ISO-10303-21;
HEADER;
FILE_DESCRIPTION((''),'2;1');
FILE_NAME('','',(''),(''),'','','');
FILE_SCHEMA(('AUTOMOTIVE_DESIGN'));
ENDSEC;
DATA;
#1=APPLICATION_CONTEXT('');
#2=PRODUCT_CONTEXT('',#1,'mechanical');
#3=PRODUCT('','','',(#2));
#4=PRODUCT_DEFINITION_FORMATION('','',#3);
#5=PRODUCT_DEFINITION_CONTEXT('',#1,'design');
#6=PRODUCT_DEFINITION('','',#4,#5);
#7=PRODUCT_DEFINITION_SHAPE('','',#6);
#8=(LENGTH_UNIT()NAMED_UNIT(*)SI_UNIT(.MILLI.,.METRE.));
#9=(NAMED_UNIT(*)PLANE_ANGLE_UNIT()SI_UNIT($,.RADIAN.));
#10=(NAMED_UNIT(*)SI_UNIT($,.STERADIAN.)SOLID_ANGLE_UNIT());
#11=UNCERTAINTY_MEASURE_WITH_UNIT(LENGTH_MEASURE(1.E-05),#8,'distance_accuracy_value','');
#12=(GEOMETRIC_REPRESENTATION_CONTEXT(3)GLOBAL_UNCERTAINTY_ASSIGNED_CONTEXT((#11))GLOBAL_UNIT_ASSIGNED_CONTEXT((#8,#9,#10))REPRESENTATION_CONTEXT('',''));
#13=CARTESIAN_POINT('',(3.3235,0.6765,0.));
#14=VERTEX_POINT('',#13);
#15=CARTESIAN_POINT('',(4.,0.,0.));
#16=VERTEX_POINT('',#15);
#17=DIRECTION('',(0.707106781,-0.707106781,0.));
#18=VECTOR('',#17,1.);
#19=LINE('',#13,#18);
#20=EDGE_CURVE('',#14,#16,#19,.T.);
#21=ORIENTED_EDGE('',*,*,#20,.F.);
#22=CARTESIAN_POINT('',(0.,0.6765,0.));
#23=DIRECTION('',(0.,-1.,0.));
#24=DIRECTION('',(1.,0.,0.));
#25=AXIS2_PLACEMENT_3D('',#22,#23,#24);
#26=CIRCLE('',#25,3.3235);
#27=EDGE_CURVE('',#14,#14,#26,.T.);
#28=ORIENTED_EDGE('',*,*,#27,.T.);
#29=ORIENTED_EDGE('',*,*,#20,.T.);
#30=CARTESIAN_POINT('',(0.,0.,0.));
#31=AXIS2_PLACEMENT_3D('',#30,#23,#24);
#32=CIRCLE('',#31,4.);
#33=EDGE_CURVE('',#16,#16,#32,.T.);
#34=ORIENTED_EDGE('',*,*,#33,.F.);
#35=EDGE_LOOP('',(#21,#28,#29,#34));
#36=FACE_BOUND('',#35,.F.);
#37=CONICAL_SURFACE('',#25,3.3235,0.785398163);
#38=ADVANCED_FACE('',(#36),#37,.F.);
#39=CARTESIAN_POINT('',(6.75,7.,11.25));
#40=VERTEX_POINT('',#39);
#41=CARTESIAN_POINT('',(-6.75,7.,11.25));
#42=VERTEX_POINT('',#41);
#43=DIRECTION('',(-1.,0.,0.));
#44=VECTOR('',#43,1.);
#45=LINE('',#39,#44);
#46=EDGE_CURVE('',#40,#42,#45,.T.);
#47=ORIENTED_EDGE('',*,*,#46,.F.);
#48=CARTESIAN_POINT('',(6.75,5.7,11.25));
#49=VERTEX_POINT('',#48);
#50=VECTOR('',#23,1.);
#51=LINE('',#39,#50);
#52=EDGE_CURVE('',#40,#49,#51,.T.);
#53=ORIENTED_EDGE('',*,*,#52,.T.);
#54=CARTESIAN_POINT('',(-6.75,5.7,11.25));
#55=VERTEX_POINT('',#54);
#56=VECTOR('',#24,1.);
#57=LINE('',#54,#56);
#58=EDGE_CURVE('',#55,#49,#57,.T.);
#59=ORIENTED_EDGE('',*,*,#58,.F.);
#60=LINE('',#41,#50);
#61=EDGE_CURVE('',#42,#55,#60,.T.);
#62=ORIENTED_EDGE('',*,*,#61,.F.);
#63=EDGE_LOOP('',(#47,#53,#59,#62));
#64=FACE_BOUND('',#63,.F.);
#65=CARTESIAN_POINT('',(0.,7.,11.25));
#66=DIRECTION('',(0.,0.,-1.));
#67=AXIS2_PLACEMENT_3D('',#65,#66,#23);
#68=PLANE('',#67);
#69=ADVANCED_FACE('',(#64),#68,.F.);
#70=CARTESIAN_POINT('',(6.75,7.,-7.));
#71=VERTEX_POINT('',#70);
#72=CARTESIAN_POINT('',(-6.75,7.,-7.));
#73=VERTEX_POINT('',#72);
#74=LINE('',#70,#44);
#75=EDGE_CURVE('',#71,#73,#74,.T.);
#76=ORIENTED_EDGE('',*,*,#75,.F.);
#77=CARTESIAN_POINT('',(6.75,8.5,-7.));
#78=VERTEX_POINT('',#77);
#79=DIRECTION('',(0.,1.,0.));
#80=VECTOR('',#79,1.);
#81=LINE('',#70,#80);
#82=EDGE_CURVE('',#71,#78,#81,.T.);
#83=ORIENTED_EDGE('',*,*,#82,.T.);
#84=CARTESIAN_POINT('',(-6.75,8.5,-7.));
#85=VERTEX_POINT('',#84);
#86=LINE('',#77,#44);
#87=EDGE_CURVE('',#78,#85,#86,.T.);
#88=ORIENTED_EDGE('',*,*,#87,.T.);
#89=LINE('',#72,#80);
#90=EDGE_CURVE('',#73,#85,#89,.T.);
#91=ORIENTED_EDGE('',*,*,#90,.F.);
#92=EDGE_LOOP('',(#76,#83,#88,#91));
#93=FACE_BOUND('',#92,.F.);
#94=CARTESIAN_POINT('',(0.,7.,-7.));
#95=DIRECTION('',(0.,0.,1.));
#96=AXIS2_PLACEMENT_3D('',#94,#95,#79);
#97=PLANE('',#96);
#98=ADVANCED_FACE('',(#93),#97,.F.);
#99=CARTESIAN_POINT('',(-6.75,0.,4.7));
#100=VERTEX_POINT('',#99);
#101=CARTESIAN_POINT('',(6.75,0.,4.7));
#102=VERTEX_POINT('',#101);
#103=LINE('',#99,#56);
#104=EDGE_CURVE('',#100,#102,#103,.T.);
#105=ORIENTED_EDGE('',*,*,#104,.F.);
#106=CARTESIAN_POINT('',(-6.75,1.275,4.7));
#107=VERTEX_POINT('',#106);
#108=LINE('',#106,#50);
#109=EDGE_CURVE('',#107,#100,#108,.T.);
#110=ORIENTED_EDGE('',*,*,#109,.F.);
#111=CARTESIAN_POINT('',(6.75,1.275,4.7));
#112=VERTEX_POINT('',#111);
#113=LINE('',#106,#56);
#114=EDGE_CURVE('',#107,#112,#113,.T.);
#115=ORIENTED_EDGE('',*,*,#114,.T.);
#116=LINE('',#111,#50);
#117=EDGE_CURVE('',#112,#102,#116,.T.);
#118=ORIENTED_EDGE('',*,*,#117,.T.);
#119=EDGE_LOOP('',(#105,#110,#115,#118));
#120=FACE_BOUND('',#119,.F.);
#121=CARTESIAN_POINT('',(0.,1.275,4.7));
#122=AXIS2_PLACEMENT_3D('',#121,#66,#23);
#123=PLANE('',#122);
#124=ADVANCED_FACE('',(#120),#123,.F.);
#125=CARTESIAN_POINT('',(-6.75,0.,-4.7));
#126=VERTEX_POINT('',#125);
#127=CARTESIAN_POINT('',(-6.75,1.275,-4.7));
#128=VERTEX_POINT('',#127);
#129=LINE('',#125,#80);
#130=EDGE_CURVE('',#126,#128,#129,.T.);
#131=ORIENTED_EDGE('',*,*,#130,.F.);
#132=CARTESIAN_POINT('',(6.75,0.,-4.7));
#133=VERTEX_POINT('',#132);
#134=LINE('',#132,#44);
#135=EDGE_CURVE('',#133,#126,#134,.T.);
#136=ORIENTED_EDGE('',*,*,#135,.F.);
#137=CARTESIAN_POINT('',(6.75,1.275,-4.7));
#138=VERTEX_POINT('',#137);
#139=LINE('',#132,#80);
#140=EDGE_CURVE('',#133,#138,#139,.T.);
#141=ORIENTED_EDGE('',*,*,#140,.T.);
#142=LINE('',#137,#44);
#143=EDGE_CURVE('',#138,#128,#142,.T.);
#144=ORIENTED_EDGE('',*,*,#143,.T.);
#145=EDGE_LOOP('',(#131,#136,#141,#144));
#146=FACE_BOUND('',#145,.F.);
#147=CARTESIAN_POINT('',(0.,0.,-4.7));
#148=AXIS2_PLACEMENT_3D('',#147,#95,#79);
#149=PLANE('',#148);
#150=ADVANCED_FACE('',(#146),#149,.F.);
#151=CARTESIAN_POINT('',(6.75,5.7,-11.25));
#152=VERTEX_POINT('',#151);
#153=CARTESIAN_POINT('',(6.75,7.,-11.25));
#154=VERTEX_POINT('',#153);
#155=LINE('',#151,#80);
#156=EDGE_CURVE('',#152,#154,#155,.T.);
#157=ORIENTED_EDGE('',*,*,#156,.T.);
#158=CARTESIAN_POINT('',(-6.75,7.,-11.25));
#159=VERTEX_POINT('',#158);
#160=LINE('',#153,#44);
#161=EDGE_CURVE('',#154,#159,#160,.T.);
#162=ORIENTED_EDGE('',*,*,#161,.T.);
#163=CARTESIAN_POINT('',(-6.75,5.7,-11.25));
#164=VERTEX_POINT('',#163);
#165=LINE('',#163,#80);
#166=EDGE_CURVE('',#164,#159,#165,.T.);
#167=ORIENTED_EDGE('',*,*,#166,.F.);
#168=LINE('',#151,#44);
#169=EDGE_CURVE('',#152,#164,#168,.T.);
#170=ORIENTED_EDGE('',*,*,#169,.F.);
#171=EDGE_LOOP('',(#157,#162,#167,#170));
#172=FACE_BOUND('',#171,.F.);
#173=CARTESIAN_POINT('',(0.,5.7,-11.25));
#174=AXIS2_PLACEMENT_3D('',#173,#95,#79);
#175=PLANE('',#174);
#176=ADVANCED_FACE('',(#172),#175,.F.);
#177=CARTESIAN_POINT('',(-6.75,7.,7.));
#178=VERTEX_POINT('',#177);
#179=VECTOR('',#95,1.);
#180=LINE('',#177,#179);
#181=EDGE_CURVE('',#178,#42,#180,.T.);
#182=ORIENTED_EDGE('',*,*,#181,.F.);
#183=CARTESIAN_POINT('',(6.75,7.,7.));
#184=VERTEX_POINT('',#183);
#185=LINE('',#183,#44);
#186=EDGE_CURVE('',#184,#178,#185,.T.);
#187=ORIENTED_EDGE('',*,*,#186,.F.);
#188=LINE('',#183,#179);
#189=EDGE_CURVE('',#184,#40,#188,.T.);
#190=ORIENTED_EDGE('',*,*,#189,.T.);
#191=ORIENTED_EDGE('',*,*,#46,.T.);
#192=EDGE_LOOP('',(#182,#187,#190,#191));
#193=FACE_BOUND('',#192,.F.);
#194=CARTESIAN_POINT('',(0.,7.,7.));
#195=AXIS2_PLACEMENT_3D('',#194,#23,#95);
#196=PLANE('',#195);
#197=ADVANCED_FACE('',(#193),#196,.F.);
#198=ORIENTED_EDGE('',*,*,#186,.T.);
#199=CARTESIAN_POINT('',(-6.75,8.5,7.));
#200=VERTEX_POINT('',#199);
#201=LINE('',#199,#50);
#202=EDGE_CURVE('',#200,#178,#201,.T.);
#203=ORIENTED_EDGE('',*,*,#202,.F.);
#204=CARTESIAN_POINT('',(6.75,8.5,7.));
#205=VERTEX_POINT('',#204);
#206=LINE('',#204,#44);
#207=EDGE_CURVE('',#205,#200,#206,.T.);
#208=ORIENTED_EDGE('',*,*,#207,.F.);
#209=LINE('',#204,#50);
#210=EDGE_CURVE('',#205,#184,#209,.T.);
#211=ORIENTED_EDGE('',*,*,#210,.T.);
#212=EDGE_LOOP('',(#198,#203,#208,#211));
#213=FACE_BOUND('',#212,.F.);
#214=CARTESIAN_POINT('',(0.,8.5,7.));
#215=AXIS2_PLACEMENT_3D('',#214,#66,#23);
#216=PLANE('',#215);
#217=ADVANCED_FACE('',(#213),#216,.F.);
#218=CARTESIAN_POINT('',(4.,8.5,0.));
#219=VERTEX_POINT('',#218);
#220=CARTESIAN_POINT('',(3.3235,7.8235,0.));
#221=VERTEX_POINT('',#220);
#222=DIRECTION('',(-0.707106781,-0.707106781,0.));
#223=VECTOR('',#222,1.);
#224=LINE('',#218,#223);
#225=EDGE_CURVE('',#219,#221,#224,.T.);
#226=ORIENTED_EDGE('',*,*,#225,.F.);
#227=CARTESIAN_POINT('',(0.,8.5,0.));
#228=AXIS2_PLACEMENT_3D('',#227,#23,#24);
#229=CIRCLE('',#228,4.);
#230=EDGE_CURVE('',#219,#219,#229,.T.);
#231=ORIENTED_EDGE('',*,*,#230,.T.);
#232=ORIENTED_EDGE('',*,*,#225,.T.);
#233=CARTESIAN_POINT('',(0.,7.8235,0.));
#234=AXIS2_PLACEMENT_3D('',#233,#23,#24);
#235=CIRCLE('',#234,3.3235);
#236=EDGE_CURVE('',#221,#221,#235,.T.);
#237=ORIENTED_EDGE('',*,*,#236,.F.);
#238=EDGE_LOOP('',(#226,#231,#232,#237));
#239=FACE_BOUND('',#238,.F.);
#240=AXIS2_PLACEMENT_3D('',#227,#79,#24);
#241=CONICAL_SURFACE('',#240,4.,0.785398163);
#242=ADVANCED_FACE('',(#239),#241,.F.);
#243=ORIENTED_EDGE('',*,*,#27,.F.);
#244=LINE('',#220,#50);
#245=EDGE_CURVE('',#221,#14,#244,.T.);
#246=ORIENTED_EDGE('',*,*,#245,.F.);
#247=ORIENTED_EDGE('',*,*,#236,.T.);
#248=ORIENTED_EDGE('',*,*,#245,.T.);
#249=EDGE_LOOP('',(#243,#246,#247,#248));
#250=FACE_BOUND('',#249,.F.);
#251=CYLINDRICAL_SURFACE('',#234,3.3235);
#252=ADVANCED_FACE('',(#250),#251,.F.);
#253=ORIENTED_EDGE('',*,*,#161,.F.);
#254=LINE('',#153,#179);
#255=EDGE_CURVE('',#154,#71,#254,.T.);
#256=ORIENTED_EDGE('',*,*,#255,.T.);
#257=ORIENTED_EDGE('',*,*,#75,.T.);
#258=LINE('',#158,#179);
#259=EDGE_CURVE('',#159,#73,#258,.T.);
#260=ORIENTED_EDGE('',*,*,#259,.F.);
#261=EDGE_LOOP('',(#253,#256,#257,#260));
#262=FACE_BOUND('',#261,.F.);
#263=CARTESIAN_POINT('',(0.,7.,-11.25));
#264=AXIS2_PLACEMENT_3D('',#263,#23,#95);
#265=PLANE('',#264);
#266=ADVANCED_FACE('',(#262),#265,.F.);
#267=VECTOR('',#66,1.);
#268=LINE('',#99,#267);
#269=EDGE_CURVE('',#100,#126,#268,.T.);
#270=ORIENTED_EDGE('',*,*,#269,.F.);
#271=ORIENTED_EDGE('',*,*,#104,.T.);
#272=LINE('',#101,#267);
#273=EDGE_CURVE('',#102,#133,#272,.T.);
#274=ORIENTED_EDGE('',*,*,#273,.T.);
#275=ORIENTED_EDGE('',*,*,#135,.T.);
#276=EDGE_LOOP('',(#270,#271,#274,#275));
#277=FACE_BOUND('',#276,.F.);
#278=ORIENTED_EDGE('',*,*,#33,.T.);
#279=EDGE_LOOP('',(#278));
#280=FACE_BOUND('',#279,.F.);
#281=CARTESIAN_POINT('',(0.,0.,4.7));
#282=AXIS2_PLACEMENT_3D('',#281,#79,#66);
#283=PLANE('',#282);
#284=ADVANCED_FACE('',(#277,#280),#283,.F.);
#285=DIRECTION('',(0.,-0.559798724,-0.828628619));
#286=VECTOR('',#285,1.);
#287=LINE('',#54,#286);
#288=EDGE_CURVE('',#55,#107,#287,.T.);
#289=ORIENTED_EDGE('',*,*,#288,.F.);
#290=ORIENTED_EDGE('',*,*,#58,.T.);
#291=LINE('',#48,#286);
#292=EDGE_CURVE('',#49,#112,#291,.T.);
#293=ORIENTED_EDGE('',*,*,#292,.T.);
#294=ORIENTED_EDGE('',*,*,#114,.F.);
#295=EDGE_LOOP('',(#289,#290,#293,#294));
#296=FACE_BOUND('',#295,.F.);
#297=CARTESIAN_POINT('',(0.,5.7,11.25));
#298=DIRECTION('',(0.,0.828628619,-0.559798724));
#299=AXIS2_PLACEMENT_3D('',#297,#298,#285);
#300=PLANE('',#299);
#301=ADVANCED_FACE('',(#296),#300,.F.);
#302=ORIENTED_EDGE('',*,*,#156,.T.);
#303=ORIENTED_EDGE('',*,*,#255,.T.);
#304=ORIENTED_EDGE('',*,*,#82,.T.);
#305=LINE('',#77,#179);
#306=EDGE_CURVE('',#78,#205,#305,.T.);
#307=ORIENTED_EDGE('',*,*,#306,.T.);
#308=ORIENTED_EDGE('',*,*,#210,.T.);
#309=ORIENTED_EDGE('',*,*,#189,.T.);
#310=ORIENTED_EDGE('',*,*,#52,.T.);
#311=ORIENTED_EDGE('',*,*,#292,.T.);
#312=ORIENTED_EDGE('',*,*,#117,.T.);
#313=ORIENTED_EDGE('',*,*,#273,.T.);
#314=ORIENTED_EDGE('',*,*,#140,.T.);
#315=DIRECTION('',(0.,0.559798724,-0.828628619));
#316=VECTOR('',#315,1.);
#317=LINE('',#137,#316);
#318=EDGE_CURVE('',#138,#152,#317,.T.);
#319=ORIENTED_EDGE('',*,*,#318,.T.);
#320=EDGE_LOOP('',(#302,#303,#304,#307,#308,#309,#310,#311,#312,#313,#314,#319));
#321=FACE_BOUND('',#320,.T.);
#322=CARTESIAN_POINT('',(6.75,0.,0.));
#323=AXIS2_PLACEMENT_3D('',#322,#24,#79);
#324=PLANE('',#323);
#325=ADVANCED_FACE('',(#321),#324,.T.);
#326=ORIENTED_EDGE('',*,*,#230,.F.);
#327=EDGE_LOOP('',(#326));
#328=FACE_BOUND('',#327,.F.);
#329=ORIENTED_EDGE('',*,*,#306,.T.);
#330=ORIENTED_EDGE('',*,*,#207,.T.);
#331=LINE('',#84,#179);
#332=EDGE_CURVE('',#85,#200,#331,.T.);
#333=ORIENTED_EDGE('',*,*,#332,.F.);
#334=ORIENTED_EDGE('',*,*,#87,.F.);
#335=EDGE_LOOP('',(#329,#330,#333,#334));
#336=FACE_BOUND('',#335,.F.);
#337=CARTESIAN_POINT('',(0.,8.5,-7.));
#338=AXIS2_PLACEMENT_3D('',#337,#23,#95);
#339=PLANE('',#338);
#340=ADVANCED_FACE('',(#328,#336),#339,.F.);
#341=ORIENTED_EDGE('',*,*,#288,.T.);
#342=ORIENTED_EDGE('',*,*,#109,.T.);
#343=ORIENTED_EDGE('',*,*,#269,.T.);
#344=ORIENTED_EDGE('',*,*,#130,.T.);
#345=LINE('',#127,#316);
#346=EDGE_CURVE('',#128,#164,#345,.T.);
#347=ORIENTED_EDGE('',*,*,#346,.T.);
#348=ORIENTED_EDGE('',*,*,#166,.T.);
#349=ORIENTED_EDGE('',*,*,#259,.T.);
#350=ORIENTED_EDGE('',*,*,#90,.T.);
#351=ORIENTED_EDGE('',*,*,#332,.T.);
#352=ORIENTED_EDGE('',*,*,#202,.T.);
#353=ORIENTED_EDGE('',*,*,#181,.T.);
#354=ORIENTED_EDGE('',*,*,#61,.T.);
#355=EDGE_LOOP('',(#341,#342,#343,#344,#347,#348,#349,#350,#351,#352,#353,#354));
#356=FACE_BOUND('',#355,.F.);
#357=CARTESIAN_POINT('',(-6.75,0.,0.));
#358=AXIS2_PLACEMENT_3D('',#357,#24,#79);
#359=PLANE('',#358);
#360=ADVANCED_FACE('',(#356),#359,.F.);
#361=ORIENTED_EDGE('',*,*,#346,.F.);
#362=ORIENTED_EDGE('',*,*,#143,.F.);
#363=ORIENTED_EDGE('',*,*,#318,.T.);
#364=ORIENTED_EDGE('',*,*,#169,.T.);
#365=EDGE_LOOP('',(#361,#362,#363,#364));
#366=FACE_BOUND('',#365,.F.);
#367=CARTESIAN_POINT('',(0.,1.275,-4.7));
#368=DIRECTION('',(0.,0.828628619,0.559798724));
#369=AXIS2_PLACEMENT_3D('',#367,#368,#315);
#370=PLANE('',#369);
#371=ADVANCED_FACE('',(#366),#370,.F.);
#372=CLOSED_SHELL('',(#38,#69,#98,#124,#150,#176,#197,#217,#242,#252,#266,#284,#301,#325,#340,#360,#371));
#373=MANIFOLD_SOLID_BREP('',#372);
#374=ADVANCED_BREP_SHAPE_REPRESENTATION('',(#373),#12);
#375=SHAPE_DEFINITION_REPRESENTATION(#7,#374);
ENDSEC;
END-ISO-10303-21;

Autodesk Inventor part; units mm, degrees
sketch "Skizze_1" plane through (0, 0, 0) normal (1, 0, 0) x (0, 1, 0)
  line L0 (5.7, 11.25) -> (1.275, 4.7)
  line L1 (1.275, 4.7) -> (0, 4.7)
  line L2 (0, 4.7) -> (0, -4.7)
  line L3 (0, -4.7) -> (1.275, -4.7)
  line L4 (1.275, -4.7) -> (5.7, -11.25)
  line L5 (5.7, -11.25) -> (7, -11.25)
  line L6 (7, -11.25) -> (7, -7)
  line L7 (7, -7) -> (8.5, -7)
  line L8 (8.5, -7) -> (8.5, 7)
  line L9 (8.5, 7) -> (7, 7)
  line L10 (7, 7) -> (7, 11.25)
  line L11 (7, 11.25) -> (5.7, 11.25)
extrude "Extrusion1" add sketch "Skizze_1" along normal mid plane 13.5
sketch "Skizze_2" plane through (0, 0, 0) normal (0, 0, 1) x (1, 0, 0)
  line L0 (0, 0) -> (0, 8.5)
  line L1 (0, 8.5) -> (4, 8.5)
  line L2 (4, 8.5) -> (3.3235, 7.8235)
  line L3 (3.3235, 7.8235) -> (3.3235, 0.6765)
  line L4 (3.3235, 0.6765) -> (4, 0)
  line L5 (4, 0) -> (0, 0)
  line L6 (0, 0) -> (0, 8.5)
revolve "Revolution1" cut sketch "Skizze_2" angle 360 about axis through (0, 0, 0) along (0, -1, 0)
thread "Thread1" size "M8x1.25" class "6H" standard "ISO Metric profile" full length
ref_plane "TIN_4_XY" through (0, 8.5, 0) normal (0, 1, 0) x (1, 0, 0)
ref_plane "TIN_4_YZ" through (0, 8.5, 0) normal (1, 0, 0) x (0, 0, -1)
ref_plane "TIN_4_ZX" through (0, 8.5, 0) normal (0, 0, -1) x (0, 1, 0)
properties part number "Robotunits TIN_4508"
